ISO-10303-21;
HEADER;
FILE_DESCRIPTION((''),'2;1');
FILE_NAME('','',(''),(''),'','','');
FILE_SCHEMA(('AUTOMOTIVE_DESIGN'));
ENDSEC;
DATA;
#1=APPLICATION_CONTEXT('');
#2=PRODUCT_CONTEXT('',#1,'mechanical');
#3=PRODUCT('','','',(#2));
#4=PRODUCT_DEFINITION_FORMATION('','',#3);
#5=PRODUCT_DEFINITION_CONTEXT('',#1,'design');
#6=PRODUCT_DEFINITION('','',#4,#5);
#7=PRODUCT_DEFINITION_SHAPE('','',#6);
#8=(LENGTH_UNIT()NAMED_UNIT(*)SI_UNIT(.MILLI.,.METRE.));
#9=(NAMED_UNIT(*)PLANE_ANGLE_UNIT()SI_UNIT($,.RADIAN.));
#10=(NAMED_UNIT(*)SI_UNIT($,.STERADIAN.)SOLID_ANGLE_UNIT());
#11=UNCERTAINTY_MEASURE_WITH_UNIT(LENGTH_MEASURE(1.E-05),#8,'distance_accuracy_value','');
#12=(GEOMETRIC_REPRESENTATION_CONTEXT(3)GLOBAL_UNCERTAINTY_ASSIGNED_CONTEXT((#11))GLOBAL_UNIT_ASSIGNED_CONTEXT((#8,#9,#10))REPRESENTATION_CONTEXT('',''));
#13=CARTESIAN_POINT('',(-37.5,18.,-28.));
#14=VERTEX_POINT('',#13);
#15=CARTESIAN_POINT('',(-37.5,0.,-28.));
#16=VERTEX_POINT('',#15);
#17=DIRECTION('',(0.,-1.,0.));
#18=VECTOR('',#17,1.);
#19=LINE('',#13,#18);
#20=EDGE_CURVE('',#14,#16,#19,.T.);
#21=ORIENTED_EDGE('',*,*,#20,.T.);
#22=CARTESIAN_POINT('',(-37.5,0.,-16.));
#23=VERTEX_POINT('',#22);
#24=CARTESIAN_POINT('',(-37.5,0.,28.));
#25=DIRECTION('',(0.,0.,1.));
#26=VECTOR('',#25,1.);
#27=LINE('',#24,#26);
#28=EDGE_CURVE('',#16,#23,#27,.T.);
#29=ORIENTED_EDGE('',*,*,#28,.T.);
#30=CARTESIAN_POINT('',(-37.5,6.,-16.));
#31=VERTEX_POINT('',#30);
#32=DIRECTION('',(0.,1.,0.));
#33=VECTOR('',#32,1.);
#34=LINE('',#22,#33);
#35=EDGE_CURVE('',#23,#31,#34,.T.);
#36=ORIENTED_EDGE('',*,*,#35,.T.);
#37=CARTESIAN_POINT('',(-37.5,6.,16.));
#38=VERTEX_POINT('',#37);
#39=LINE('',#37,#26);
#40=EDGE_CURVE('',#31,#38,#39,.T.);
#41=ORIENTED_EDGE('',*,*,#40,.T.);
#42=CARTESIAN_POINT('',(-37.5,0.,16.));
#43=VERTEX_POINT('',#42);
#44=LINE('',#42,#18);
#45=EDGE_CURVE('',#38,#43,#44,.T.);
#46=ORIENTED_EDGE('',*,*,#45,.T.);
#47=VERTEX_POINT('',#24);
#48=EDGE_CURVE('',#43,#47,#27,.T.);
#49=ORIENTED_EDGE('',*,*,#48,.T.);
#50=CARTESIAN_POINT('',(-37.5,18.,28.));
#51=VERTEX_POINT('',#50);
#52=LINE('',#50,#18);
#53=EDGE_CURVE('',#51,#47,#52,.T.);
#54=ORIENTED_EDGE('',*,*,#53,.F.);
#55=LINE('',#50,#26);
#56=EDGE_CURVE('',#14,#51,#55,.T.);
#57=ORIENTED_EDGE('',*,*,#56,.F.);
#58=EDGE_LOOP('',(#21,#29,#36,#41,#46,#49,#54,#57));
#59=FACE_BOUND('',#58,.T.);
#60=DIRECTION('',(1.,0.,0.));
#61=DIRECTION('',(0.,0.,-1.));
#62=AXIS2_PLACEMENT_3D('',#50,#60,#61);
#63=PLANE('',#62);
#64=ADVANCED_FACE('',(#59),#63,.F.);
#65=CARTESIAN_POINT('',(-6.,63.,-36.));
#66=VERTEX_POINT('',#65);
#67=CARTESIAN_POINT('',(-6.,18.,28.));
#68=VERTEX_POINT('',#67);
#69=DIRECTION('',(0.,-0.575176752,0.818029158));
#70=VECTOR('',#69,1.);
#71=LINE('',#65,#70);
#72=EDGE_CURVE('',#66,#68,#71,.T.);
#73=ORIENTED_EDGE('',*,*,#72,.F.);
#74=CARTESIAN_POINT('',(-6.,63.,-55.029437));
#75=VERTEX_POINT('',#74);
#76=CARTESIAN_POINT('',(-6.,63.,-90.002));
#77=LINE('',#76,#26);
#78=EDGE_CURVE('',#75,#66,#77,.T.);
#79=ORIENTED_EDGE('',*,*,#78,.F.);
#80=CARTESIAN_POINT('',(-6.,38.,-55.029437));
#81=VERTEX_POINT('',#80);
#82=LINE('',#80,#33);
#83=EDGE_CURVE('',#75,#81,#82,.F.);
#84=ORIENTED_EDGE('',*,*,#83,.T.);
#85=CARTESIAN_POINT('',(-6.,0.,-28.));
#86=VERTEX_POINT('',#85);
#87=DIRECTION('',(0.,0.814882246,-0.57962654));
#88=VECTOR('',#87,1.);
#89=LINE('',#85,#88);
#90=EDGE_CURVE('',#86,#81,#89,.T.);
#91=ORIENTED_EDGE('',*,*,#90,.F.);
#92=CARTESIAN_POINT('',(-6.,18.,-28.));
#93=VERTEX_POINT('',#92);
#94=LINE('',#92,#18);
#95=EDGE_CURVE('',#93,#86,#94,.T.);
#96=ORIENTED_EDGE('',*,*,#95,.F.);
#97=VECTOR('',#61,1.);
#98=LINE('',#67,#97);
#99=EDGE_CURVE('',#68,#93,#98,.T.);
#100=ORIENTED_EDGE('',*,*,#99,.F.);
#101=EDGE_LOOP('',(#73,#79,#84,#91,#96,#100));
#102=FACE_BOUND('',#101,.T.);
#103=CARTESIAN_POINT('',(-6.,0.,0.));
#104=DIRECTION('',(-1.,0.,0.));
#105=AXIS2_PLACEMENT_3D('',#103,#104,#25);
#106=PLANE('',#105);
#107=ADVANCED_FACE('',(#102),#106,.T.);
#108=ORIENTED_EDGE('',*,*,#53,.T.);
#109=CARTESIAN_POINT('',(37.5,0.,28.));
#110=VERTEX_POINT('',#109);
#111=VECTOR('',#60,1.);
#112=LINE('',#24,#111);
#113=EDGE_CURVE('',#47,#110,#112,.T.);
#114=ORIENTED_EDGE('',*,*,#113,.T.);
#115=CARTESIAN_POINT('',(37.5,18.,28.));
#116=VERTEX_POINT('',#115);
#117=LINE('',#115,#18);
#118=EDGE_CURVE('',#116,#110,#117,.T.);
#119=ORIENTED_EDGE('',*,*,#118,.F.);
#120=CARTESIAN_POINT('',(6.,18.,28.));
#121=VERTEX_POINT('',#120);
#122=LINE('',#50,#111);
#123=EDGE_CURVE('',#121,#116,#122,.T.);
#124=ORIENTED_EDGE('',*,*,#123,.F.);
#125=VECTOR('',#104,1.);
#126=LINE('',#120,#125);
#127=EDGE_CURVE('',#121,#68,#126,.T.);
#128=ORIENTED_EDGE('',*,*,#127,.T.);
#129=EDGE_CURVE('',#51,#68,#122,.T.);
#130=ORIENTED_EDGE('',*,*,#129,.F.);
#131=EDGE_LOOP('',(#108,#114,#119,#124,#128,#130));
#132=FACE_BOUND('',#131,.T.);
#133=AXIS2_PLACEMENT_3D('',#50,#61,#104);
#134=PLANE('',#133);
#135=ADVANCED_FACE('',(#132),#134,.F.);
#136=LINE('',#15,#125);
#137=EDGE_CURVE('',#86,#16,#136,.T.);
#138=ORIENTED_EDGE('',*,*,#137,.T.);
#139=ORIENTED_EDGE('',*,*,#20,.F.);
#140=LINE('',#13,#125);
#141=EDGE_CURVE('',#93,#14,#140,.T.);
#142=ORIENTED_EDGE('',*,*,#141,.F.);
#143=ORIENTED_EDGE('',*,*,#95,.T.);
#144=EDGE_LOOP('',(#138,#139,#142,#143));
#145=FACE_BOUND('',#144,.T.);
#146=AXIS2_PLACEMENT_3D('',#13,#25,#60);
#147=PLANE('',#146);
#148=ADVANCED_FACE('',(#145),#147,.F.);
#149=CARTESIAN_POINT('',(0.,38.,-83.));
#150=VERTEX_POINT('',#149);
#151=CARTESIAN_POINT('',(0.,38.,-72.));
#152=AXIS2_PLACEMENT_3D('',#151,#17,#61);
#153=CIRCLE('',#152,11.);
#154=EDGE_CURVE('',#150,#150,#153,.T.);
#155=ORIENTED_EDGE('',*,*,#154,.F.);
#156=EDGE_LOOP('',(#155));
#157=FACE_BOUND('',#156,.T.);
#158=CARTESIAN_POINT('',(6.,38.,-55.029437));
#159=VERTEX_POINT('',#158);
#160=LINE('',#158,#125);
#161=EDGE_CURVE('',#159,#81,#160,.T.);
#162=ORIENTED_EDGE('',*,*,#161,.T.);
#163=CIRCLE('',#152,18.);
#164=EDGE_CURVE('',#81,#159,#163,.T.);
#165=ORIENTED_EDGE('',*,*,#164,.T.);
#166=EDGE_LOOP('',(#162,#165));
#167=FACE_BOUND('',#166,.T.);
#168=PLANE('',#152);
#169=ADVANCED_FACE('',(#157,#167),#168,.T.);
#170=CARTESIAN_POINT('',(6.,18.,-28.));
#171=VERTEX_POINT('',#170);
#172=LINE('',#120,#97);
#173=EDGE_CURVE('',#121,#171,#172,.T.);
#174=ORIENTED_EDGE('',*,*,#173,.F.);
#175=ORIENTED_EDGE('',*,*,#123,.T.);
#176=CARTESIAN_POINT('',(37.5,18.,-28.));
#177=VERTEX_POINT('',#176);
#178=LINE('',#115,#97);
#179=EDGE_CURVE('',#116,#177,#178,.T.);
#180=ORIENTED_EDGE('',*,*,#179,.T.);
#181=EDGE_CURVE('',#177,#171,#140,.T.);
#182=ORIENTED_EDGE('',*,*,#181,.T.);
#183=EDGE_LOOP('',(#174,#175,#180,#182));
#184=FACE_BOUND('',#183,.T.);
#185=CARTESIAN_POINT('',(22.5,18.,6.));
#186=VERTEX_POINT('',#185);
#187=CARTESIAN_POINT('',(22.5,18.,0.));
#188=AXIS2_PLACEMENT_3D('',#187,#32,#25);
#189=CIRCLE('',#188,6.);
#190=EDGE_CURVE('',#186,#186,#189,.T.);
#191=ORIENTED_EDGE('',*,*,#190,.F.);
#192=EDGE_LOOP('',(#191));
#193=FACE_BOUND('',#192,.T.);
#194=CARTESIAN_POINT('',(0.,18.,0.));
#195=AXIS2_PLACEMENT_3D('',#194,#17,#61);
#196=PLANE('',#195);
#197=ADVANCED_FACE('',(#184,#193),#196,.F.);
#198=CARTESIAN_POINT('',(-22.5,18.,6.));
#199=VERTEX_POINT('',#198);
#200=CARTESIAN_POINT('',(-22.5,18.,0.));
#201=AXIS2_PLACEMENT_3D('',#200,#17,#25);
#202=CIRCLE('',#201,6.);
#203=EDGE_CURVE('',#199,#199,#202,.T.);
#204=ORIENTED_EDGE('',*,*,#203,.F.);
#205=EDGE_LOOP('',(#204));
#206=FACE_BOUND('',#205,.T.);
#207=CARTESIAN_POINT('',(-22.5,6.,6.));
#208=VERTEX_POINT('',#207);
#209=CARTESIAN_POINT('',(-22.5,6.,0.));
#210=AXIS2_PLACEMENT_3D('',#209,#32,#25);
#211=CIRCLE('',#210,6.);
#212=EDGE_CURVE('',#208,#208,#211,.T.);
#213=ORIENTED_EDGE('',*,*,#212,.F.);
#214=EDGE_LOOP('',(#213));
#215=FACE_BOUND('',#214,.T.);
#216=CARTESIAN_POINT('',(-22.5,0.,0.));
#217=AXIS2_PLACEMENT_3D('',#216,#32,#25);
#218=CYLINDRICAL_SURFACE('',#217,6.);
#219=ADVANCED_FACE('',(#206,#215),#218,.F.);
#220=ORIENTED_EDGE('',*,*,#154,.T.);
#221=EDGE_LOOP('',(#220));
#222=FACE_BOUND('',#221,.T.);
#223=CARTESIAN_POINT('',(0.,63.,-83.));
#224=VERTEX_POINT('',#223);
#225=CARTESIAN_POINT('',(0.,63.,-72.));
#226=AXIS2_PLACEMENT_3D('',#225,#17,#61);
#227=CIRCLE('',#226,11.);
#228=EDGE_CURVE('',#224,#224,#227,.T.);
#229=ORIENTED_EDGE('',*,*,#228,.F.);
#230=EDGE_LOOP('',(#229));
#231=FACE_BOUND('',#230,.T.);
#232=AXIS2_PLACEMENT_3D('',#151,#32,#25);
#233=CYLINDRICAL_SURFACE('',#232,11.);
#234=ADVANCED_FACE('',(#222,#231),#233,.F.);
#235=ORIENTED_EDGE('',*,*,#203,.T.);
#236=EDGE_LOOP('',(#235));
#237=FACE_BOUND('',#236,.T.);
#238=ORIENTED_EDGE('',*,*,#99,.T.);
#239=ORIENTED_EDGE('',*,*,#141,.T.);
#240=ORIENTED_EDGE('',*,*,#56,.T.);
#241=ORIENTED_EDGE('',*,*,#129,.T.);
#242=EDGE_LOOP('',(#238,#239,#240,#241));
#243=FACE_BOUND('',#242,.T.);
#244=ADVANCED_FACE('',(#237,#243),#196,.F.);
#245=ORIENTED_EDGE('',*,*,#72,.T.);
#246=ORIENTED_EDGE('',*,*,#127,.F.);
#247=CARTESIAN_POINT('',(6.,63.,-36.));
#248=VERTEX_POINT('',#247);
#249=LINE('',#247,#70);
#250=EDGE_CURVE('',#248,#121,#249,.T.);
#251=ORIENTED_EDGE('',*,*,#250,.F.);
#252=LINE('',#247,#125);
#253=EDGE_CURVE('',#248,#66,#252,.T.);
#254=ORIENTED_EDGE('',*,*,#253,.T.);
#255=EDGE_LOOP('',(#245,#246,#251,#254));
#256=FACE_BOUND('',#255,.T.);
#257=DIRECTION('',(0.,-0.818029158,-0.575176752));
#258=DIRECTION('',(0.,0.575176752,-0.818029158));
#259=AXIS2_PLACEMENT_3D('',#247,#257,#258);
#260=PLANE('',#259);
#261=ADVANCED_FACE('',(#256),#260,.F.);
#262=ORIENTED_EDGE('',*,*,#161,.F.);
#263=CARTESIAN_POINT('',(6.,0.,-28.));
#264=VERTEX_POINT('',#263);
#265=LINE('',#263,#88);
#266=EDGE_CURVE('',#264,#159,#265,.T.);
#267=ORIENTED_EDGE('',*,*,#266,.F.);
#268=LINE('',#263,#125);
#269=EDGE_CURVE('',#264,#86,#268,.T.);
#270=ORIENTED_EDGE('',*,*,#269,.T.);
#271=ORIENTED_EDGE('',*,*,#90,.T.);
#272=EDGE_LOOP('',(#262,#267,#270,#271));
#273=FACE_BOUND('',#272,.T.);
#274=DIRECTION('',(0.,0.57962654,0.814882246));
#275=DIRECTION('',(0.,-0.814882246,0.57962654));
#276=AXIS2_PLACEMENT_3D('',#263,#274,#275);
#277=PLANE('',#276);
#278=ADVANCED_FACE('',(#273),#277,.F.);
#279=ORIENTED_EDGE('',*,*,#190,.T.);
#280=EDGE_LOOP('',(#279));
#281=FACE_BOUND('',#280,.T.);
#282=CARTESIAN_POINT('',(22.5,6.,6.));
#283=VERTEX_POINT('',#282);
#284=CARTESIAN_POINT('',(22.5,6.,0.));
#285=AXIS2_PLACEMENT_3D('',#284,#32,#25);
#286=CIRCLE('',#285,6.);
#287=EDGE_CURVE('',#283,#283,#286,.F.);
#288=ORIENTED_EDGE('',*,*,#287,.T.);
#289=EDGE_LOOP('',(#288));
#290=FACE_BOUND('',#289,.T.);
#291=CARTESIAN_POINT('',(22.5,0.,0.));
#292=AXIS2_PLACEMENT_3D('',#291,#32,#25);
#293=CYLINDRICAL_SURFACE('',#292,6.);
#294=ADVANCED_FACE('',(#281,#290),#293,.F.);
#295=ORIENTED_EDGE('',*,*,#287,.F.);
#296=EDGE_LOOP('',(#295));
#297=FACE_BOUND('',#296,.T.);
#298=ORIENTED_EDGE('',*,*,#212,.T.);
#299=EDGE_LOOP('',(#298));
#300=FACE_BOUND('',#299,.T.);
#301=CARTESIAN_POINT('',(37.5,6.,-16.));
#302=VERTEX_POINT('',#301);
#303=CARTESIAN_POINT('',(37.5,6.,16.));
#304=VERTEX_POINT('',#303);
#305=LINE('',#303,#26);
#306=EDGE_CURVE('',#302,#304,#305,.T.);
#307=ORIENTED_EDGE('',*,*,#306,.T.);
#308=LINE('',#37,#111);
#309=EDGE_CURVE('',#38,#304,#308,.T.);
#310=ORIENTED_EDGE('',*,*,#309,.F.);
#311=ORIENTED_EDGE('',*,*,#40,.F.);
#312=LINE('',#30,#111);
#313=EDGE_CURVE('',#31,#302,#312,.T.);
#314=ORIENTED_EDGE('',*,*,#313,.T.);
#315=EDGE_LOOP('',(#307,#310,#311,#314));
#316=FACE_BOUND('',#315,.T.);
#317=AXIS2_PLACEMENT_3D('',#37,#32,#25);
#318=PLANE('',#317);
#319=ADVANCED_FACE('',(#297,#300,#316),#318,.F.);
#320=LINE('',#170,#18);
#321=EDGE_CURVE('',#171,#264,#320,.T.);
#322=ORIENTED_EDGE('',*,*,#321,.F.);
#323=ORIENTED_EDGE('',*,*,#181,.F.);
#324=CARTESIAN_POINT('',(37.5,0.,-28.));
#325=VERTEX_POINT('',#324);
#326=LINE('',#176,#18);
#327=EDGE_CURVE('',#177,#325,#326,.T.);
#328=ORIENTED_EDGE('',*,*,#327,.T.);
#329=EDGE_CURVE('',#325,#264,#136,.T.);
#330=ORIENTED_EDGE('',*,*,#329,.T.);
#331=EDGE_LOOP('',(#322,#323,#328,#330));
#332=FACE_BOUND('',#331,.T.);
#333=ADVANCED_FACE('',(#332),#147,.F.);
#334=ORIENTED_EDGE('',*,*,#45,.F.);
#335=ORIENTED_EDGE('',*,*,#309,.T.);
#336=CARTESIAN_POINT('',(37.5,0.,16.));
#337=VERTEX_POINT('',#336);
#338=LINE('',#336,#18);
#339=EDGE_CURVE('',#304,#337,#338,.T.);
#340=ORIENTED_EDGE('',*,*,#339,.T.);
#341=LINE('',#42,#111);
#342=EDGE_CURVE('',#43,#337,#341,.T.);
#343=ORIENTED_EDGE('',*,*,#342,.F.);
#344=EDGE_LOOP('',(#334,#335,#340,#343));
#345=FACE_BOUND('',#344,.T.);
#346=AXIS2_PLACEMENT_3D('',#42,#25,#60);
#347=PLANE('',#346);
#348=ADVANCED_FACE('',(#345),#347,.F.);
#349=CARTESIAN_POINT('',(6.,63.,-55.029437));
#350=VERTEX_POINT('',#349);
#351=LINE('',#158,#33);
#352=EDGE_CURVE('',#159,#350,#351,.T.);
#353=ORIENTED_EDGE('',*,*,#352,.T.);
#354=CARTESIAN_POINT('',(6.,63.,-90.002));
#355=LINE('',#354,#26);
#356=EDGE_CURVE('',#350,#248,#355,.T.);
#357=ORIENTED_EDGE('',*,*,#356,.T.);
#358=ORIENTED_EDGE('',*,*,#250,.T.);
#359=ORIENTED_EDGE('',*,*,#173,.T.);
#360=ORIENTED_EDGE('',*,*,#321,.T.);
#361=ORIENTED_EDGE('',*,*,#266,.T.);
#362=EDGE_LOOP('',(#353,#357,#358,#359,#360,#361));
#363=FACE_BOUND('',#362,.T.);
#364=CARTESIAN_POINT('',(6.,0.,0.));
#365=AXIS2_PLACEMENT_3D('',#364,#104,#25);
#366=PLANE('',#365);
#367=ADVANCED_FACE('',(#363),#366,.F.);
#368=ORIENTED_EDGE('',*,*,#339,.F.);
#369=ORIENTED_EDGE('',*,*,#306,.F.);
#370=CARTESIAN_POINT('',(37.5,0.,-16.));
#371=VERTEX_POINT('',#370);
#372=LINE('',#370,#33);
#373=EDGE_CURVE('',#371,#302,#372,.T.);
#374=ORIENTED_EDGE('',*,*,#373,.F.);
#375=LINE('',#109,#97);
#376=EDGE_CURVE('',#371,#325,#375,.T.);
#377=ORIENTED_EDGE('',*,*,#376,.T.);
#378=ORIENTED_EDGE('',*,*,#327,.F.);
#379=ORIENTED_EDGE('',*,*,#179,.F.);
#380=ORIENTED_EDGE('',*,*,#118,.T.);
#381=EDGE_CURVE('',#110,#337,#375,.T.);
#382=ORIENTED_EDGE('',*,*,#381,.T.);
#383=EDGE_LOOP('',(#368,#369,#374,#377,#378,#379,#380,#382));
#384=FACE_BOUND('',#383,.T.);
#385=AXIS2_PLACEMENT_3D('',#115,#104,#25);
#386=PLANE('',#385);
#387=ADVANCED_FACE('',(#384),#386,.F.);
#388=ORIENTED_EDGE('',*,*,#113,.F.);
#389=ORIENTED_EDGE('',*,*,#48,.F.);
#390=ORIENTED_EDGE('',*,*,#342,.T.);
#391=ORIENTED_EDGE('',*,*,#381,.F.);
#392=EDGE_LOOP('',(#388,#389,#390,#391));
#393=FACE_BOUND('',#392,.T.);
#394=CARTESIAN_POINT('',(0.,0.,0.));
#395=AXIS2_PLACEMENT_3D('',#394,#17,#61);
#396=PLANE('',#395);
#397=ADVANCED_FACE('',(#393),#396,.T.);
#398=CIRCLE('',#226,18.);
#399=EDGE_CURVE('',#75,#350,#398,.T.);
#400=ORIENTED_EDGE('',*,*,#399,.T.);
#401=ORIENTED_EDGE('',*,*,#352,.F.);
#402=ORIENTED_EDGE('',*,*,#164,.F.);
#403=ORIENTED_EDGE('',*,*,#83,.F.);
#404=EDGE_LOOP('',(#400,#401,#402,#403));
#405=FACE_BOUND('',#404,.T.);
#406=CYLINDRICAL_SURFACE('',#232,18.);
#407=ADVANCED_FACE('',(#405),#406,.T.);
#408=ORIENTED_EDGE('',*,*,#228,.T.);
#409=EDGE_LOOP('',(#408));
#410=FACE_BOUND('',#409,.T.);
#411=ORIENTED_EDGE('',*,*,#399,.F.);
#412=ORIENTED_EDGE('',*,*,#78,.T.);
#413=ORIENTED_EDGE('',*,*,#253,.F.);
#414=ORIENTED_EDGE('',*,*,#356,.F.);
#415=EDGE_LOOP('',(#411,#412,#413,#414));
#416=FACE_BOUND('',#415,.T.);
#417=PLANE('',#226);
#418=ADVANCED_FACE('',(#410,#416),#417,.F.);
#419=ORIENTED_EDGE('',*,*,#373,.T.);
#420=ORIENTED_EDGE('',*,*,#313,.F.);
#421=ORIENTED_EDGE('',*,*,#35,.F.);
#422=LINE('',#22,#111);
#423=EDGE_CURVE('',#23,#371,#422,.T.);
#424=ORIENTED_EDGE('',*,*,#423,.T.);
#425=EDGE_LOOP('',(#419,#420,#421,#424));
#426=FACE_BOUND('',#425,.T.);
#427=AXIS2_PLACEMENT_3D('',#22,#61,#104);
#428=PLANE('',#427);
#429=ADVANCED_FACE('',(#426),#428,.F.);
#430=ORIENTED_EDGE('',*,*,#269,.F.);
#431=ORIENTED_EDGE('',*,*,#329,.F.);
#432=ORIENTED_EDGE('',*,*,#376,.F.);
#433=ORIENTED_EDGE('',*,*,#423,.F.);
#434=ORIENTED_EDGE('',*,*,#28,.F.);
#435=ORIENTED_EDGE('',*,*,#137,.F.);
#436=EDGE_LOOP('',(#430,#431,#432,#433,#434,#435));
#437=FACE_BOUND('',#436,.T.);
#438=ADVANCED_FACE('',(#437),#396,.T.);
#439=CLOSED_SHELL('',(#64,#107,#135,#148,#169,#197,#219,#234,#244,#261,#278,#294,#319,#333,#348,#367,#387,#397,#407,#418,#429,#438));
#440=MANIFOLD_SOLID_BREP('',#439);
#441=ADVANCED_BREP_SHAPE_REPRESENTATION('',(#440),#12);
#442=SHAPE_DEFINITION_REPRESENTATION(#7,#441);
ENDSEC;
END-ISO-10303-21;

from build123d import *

# Parameters (mm, degrees)
ESQUISSE4_W             = 75
ESQUISSE4_H             = 56
BOSS_EXTRU_2_DEPTH      = 18
ESQUISSE5_R             = 6
ENL_V_MAT_EXTRU_3_DEPTH = 51.142297514
ESQUISSE6_W             = 32
ESQUISSE6_H             = 6
ENL_V_MAT_EXTRU_4_DEPTH = 83.054859698
ESQUISSE9_R             = 18
ESQUISSE9_R_2           = 11
BOSS_EXTRU_3_DEPTH      = 25
BOSS_EXTRU_6_REACH      = 99.32
BOSS_EXTRU_6_END_RADIUS = 18
ESQUISSE10_W            = 12
ESQUISSE10_H            = 25
BOSS_EXTRU_7_DEPTH      = 6


with BuildPart() as part:
    # Esquisse4 → Boss.-Extru.2 (new body)
    with BuildSketch(Plane(origin=(0, 0, 0), x_dir=(1, 0, 0), z_dir=(0, 1, 0))):
        Rectangle(ESQUISSE4_W, ESQUISSE4_H)
    extrude(amount=BOSS_EXTRU_2_DEPTH)

    # Esquisse5 → Enlèv. mat.-Extru.3 (cut, through all)
    with BuildSketch(Plane(origin=(0, 18, 0), x_dir=(1, 0, 0), z_dir=(0, 1, 0))):
        with Locations(Location((22.5, 0, 0), (0, 0, 270))):
            Circle(ESQUISSE5_R)
    enl_v_mat_extru_3 = extrude(amount=-ENL_V_MAT_EXTRU_3_DEPTH, mode=Mode.SUBTRACT)

    # Symétrie1: Enlèv. mat.-Extru.3 across plane
    add(enl_v_mat_extru_3.mirror(Plane(origin=(0, 0, 0), x_dir=(0, 0, 1), z_dir=(1, 0, 0))), mode=Mode.SUBTRACT)

    # Esquisse6 → Enlèv. mat.-Extru.4 (cut, through all)
    with BuildSketch(Plane(origin=(37.5, 0, 0), x_dir=(0, 0, -1), z_dir=(1, 0, 0))):
        with Locations((0, 3)):
            Rectangle(ESQUISSE6_W, ESQUISSE6_H)
    extrude(amount=-ENL_V_MAT_EXTRU_4_DEPTH, mode=Mode.SUBTRACT)



with BuildPart() as body_2:
    # Esquisse9 → Boss.-Extru.3 (new body)
    with BuildSketch(Plane(origin=(0, 63, 0), x_dir=(-1, 0, 0), z_dir=(0, -1, 0))):
        with Locations(Location((0, 72, 0), (0, 0, 90))):
            Circle(ESQUISSE9_R)
        with Locations(Location((0, 72, 0), (0, 0, 90))):
            Circle(ESQUISSE9_R_2, mode=Mode.SUBTRACT)
    extrude(amount=BOSS_EXTRU_3_DEPTH)

    # Boss.-Extru.6: up to this cylinder (the profile starts outside it)
    boss_extru_6_end = Plane(origin=(0, 50.5, -72), z_dir=(0, 1, 0)) * Cylinder(BOSS_EXTRU_6_END_RADIUS, 235.64, mode=Mode.PRIVATE)
    # Esquisse10 → Boss.-Extru.6 (add, up to the surface)
    with BuildSketch(Plane.XY.offset(-36), mode=Mode.PRIVATE) as boss_extru_6_sk1:
        with Locations((0, 50.5)):
            Rectangle(ESQUISSE10_W, ESQUISSE10_H)
    boss_extru_6_tool1 = extrude(boss_extru_6_sk1.sketch, amount=-BOSS_EXTRU_6_REACH, mode=Mode.PRIVATE) - boss_extru_6_end
    add(boss_extru_6_tool1.solids().sort_by_distance((0, 50.5, -36))[0])


with BuildPart() as part_1:
    add(part.part)

    add(body_2.part)  # Boss.-Extru.7 merges body 2
    # Esquisse11 → Boss.-Extru.7 (add, symmetric)
    with BuildSketch(Plane(origin=(0, 0, 0), x_dir=(0, 0, -1), z_dir=(1, 0, 0))):
        Polygon((36, 63), (-28, 18), (28, 18), (28, 0), (55.029437252, 38), (36, 38), align=None)
    extrude(amount=BOSS_EXTRU_7_DEPTH, both=True)


solid = part_1.part
